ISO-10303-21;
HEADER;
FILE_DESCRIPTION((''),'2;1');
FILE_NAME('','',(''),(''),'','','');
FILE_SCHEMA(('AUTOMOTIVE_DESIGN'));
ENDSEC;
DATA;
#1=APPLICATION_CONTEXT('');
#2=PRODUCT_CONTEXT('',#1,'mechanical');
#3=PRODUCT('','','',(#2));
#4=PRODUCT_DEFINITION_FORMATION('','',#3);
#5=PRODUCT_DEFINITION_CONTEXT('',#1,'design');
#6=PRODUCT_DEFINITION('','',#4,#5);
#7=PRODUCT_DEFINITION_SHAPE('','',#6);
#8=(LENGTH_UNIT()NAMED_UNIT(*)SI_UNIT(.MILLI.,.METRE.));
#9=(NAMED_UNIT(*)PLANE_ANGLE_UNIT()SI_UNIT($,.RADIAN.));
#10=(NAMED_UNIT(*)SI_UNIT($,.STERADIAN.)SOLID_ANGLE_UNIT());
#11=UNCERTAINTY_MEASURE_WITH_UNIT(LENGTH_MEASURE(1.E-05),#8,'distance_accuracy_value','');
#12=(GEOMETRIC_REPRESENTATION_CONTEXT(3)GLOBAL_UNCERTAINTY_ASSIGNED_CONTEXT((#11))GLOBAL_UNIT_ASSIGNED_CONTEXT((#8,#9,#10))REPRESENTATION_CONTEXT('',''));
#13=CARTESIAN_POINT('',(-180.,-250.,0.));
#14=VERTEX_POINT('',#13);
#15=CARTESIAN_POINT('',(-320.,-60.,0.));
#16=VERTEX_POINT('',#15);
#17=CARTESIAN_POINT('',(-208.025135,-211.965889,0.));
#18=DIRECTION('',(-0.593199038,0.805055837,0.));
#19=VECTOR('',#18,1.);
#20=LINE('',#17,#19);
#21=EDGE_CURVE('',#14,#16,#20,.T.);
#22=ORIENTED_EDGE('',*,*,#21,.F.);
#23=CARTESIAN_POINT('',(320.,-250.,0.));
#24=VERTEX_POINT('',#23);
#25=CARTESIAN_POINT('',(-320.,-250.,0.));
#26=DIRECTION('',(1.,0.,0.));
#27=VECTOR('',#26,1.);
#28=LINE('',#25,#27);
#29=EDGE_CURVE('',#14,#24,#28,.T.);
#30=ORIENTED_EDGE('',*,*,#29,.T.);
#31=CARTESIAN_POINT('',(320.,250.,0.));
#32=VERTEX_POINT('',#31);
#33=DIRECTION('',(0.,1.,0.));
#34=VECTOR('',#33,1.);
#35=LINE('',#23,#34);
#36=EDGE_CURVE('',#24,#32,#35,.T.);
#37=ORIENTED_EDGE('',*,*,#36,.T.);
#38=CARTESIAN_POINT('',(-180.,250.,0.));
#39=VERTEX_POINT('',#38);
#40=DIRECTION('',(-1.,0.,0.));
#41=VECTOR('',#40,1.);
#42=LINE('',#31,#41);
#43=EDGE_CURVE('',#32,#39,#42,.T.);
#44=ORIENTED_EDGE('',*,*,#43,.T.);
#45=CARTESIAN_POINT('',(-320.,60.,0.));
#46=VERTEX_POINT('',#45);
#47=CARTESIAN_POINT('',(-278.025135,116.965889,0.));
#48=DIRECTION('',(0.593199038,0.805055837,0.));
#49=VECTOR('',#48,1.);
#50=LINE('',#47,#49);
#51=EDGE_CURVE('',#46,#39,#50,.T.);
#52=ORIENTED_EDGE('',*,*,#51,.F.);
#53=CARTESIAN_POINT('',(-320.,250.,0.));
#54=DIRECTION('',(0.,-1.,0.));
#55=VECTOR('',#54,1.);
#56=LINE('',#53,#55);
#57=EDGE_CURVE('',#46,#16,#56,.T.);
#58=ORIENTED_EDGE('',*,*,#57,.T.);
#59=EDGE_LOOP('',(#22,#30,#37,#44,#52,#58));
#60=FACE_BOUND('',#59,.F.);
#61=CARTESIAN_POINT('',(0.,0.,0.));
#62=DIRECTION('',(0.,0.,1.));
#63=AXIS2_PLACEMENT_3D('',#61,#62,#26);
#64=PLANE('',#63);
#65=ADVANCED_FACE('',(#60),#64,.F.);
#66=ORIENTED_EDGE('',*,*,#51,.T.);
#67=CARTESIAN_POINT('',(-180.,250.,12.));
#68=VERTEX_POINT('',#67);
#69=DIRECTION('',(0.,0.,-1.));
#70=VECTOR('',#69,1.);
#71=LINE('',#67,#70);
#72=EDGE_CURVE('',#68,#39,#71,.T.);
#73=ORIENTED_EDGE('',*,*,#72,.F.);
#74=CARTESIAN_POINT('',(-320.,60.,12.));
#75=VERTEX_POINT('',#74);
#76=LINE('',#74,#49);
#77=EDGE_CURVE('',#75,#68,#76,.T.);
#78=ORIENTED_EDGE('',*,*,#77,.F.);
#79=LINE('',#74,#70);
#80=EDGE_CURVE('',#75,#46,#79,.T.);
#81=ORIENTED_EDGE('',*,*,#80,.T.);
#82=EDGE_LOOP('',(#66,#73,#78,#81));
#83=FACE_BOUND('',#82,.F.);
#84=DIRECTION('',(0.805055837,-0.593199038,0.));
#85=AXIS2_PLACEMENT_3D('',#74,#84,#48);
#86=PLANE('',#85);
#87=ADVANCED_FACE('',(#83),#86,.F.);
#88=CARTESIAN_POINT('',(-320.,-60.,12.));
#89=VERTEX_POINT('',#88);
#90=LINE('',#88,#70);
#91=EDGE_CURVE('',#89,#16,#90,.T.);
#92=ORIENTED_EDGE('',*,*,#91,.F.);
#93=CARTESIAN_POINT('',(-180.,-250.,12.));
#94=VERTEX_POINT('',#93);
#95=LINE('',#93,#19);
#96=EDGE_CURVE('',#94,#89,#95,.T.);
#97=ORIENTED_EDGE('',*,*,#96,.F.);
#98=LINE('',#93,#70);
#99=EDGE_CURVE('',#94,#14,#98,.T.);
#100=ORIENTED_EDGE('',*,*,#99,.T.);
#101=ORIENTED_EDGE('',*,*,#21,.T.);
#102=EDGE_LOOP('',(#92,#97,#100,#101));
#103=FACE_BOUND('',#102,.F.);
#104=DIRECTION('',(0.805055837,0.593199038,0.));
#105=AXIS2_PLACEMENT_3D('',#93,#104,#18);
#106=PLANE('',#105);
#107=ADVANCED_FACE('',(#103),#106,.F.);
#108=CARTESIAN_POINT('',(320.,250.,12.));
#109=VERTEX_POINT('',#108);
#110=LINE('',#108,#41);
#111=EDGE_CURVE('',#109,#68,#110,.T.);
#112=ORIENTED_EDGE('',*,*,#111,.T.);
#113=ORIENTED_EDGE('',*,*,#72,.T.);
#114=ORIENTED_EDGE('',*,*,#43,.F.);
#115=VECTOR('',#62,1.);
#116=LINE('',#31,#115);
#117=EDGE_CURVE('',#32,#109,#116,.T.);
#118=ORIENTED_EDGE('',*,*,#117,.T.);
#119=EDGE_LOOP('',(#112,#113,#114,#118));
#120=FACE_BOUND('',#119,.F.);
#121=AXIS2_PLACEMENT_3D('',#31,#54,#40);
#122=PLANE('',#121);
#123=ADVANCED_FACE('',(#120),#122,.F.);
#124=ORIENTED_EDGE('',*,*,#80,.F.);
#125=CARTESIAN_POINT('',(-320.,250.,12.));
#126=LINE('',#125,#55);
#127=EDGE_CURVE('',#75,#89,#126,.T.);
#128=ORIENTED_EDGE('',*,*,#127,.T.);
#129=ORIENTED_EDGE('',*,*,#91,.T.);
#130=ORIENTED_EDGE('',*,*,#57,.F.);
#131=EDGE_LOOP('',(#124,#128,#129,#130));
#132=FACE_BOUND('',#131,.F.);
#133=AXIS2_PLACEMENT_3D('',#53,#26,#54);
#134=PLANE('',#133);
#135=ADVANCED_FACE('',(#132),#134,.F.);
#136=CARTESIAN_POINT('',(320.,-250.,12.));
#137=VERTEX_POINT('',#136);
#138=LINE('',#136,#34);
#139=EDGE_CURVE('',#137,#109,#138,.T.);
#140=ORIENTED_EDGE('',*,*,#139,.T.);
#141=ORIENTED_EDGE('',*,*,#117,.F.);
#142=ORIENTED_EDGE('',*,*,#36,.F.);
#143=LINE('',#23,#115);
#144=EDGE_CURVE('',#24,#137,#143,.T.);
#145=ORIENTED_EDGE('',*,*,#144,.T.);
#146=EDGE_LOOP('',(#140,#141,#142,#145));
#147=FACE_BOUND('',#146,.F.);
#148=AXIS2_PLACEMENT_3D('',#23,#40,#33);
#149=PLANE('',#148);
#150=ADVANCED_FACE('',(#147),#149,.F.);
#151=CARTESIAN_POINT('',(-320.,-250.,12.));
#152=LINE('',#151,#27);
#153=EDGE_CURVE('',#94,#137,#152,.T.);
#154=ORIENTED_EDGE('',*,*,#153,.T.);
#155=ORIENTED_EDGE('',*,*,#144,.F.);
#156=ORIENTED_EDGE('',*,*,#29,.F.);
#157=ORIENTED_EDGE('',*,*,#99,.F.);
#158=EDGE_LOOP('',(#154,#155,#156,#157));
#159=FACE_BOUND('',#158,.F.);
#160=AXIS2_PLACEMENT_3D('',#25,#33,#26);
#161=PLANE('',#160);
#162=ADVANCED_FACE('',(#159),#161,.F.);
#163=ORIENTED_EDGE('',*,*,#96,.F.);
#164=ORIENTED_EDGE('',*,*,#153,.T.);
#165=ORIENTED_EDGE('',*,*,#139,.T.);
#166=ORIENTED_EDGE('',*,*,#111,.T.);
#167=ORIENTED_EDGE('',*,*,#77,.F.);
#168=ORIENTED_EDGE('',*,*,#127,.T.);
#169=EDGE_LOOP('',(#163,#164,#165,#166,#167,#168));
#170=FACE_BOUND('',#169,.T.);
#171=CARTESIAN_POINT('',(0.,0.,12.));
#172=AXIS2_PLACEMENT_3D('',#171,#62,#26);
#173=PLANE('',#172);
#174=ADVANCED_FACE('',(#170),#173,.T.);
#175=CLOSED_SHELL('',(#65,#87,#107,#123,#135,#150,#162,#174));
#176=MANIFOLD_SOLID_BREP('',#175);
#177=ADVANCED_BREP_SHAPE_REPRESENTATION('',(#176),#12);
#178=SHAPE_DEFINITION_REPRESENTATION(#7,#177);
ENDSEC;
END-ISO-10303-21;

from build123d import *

# Parameters (mm, degrees)
F1_DEPTH = 12
F3_DEPTH = 25


with BuildPart() as f1:
    # F0 (on Top) → F1 (new body)
    with BuildSketch(Plane.XY):
        Polygon((320, 250), (-320, 250), (-320, 21.803056), (-320, -88.196944), (-320, -250), (320, -250), align=None)
    extrude(amount=F1_DEPTH)

    # F2 (on face) → F3 (cut)
    with BuildSketch(Plane.XY.offset(12)):
        Polygon((-320, 60), (-180, 250), (-320, 250), align=None)
        Polygon((-320, -250), (-180, -250), (-320, -60), align=None)
    extrude(amount=-F3_DEPTH, mode=Mode.SUBTRACT)


solid = f1.part
